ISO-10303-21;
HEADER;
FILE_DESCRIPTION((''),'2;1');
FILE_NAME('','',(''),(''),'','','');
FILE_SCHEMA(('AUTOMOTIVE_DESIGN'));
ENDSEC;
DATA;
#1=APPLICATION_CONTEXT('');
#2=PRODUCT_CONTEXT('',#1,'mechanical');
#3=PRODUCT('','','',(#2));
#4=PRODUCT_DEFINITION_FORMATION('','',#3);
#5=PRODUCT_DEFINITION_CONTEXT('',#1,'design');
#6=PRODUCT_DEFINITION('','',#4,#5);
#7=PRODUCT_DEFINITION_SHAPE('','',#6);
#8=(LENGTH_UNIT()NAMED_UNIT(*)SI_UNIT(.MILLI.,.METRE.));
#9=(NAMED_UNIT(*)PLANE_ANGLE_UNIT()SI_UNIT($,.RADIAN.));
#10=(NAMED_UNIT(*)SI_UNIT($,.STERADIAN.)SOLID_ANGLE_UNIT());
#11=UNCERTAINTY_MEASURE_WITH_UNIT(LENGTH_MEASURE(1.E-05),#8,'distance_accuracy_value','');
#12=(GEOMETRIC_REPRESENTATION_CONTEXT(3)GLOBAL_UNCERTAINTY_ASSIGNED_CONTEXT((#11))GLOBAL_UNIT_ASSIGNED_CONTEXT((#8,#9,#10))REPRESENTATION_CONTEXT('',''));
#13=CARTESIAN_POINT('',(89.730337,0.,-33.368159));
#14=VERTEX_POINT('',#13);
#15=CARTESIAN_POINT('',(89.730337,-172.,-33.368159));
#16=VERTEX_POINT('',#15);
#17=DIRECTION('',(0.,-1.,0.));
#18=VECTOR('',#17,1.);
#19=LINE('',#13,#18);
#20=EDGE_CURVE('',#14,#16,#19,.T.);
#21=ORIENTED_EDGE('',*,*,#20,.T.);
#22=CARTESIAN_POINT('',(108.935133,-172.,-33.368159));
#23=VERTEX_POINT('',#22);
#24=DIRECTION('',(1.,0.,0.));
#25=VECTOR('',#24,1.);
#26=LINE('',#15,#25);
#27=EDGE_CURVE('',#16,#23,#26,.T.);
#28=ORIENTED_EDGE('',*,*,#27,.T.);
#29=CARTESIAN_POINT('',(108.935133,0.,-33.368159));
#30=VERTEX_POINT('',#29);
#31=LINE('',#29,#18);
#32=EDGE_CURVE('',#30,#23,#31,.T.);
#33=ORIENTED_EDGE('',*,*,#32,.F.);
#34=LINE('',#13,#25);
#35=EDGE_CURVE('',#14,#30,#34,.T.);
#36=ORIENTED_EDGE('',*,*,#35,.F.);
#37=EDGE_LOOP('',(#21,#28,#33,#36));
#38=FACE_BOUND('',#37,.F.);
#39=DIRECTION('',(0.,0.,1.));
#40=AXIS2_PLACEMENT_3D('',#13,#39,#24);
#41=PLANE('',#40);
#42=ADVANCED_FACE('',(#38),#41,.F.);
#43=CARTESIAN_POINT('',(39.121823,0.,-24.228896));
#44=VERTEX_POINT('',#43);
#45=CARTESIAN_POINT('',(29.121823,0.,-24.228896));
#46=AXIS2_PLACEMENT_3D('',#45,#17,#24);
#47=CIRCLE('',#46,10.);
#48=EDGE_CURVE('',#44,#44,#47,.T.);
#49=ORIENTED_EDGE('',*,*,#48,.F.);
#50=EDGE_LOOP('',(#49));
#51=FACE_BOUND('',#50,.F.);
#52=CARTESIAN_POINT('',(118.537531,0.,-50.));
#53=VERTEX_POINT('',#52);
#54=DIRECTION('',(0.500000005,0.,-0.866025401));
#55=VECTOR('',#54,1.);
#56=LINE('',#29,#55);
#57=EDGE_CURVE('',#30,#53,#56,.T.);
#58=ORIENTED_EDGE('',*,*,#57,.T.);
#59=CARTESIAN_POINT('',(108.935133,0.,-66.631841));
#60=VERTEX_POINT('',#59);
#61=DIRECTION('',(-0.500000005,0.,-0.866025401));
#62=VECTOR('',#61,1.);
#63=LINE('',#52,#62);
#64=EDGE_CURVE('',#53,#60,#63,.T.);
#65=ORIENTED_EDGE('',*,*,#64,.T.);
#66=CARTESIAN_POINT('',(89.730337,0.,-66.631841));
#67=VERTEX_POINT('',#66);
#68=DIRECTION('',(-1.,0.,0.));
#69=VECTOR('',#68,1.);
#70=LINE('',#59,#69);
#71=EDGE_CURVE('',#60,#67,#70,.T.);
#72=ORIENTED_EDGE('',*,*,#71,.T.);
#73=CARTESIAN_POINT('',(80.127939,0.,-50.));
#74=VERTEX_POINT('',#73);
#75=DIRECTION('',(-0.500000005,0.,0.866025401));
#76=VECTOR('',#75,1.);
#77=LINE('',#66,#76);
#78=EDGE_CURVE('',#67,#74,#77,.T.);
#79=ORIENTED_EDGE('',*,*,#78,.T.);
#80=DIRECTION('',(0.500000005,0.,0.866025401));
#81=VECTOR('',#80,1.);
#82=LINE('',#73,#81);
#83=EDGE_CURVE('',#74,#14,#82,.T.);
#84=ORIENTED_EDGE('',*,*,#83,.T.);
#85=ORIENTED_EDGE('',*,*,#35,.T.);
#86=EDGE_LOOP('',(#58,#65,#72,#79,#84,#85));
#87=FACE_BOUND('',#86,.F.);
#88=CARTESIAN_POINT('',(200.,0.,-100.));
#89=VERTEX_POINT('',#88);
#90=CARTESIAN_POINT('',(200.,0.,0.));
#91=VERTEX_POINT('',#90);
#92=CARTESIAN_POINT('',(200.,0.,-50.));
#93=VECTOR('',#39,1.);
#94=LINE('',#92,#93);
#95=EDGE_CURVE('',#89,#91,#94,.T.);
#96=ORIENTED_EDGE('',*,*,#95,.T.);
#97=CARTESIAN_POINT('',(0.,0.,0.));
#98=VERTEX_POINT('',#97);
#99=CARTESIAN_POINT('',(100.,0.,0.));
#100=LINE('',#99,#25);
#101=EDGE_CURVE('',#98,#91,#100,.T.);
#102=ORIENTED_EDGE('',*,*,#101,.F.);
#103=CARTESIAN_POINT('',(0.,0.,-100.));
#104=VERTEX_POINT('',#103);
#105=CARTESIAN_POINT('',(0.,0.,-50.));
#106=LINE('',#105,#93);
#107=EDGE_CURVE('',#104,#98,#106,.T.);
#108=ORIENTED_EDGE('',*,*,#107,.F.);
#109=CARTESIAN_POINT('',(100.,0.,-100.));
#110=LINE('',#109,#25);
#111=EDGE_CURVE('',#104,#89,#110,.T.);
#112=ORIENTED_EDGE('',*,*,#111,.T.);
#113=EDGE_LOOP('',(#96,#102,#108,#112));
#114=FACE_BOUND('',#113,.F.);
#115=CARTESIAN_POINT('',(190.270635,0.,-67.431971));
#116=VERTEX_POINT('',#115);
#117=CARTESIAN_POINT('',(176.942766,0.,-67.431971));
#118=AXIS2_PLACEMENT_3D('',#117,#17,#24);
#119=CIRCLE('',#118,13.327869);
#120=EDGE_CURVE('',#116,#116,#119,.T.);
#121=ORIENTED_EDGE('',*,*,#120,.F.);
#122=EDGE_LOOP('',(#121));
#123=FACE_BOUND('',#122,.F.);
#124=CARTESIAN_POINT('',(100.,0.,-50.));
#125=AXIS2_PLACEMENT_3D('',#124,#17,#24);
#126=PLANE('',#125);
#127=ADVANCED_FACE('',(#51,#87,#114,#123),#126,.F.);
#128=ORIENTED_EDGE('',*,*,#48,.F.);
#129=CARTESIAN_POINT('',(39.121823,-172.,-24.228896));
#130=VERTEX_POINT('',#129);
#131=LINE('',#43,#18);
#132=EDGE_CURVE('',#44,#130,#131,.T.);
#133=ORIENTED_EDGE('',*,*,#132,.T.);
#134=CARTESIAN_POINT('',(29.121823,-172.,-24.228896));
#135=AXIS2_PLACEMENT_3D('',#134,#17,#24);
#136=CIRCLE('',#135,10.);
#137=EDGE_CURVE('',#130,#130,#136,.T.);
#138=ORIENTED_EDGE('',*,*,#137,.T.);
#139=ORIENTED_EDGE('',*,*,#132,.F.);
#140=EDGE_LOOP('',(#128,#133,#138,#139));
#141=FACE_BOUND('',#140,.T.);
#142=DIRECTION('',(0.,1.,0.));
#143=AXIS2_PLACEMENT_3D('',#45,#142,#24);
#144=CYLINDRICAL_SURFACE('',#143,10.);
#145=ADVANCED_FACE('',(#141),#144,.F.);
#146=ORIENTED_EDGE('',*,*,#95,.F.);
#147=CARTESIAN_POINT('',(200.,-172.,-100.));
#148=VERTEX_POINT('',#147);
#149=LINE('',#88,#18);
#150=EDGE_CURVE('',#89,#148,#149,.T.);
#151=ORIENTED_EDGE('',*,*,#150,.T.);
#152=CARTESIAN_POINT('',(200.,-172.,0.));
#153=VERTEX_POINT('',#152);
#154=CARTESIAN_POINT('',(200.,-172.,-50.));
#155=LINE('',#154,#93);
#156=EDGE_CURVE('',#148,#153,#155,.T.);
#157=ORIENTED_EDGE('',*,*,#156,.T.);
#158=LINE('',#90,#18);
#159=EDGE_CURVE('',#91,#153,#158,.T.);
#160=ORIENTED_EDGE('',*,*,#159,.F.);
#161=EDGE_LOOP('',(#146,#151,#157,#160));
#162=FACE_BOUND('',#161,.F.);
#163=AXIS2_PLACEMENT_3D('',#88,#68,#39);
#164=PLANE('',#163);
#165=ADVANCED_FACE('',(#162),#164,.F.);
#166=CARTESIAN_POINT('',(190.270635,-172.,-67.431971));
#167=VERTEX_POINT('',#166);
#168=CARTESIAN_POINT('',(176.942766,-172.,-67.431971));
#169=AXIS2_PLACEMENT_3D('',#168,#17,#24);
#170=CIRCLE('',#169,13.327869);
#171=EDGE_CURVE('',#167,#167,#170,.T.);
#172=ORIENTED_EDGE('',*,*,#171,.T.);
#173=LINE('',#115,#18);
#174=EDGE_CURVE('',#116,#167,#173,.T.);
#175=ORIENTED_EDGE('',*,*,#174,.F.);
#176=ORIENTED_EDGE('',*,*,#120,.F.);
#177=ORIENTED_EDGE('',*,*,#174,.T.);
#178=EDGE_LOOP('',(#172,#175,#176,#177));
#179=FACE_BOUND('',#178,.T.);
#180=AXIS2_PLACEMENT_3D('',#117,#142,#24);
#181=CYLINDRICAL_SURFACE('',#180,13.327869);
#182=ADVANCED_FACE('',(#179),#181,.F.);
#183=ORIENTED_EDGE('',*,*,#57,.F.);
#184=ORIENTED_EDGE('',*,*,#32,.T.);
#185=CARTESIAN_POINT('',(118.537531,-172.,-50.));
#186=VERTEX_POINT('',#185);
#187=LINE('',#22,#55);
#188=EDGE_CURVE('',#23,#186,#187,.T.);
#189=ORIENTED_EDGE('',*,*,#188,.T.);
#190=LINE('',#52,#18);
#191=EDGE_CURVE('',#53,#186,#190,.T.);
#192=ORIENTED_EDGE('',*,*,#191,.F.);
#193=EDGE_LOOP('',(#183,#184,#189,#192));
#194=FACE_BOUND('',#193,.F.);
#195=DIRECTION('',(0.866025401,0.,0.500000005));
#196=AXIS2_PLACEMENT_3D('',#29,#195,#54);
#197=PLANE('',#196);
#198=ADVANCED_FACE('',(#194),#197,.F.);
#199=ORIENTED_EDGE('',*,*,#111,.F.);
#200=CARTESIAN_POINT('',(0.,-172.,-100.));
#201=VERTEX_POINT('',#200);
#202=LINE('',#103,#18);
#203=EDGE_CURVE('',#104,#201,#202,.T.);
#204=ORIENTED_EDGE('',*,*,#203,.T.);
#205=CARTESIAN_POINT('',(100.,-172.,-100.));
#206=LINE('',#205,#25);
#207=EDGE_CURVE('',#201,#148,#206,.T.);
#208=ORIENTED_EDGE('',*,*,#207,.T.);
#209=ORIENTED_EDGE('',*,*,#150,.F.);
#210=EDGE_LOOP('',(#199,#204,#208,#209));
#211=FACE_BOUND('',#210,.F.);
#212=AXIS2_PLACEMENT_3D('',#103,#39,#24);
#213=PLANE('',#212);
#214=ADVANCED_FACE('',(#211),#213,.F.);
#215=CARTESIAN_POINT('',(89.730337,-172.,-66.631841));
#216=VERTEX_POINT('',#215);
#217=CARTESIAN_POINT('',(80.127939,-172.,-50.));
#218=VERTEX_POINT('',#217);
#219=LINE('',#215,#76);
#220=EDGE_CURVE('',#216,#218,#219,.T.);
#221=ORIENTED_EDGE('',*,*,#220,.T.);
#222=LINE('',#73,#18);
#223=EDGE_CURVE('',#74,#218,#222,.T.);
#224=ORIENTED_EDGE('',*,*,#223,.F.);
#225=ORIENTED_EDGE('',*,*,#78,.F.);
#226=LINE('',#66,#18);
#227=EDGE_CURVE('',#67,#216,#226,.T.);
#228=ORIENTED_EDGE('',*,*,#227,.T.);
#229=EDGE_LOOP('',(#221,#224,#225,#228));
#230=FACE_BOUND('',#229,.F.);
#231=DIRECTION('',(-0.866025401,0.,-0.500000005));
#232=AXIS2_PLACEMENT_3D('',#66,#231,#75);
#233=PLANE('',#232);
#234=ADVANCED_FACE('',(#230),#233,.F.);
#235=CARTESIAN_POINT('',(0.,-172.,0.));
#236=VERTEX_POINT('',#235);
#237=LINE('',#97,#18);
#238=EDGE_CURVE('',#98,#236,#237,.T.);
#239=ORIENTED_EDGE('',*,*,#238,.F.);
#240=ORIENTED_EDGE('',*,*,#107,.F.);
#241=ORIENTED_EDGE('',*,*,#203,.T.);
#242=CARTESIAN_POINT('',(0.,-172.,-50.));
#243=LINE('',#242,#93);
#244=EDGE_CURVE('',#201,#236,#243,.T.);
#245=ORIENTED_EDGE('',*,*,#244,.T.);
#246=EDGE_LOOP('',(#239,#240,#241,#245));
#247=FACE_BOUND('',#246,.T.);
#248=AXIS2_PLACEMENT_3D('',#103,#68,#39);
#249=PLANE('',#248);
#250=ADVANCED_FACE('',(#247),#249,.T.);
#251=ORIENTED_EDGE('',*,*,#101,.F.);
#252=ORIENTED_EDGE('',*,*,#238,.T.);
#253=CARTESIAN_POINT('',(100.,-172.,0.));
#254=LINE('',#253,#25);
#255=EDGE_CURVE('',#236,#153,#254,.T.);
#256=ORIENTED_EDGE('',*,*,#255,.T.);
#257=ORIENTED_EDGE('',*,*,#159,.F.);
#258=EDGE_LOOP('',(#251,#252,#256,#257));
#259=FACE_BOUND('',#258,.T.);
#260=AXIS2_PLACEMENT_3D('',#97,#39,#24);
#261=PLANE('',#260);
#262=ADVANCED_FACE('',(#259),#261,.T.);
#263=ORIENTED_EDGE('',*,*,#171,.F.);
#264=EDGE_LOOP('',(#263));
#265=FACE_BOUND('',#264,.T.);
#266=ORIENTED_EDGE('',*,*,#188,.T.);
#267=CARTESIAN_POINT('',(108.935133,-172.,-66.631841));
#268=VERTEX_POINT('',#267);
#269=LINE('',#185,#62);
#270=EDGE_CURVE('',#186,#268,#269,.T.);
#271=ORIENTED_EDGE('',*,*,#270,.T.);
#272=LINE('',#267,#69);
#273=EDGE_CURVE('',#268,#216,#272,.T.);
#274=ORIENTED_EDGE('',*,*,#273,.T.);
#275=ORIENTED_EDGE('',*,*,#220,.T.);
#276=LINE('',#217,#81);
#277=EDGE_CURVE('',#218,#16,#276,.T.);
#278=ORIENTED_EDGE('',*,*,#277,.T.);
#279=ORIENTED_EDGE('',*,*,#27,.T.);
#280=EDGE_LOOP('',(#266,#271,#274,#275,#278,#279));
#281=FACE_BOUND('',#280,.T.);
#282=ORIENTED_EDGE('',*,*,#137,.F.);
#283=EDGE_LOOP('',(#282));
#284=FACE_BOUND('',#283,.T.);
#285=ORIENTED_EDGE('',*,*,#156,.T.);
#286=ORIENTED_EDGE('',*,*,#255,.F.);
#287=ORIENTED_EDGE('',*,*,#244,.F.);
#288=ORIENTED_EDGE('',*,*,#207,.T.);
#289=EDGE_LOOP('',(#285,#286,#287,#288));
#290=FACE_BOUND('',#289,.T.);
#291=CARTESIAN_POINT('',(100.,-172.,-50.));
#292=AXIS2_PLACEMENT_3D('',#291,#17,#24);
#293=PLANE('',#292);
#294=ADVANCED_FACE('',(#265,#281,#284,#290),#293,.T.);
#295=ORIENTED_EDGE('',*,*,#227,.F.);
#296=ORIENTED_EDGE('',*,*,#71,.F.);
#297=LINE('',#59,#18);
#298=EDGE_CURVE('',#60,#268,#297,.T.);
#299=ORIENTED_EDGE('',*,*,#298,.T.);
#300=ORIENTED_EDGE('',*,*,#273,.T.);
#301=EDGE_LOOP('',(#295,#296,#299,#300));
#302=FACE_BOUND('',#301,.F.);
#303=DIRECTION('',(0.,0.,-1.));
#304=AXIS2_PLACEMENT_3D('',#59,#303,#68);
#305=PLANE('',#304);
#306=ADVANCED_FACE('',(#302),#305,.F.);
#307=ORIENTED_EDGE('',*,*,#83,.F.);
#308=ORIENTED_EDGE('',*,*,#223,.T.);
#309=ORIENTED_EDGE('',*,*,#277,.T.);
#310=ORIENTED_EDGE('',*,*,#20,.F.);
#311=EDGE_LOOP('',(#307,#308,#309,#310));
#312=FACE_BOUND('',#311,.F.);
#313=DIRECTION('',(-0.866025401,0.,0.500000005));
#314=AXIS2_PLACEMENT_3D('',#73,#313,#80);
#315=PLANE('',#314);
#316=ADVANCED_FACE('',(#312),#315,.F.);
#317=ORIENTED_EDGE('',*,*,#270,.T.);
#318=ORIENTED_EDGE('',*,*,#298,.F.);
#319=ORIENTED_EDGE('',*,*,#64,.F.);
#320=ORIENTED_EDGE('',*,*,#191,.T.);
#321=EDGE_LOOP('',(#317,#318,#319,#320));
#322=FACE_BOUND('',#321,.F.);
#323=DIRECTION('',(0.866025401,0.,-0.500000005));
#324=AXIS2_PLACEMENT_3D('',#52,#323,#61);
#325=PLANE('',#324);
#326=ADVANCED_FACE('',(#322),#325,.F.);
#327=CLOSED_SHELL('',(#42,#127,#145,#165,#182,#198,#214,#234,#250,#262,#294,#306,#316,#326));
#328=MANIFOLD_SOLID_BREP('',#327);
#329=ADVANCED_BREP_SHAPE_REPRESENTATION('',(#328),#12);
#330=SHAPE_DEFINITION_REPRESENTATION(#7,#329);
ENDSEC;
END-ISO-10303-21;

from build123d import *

# Parameters (mm, degrees)
F0_W     = 200
F0_H     = 100
F0_R     = 13.327869
F0_R_2   = 10
F1_DEPTH = 172


with BuildPart() as f1:
    # F0 (on Front) → F1 (new body)
    with BuildSketch(Plane.XZ):
        with Locations((100, -50)):
            Rectangle(F0_W, F0_H)
        with Locations((176.942766, -67.431971)):
            Circle(F0_R, mode=Mode.SUBTRACT)
        Polygon((80.127939, -50), (89.730337, -33.368159), (108.935133, -33.368159), (118.537531, -50), (108.935133, -66.631841), (89.730337, -66.631841), align=None, mode=Mode.SUBTRACT)
        with Locations((29.121823, -24.228896)):
            Circle(F0_R_2, mode=Mode.SUBTRACT)
    extrude(amount=F1_DEPTH)


solid = f1.part
